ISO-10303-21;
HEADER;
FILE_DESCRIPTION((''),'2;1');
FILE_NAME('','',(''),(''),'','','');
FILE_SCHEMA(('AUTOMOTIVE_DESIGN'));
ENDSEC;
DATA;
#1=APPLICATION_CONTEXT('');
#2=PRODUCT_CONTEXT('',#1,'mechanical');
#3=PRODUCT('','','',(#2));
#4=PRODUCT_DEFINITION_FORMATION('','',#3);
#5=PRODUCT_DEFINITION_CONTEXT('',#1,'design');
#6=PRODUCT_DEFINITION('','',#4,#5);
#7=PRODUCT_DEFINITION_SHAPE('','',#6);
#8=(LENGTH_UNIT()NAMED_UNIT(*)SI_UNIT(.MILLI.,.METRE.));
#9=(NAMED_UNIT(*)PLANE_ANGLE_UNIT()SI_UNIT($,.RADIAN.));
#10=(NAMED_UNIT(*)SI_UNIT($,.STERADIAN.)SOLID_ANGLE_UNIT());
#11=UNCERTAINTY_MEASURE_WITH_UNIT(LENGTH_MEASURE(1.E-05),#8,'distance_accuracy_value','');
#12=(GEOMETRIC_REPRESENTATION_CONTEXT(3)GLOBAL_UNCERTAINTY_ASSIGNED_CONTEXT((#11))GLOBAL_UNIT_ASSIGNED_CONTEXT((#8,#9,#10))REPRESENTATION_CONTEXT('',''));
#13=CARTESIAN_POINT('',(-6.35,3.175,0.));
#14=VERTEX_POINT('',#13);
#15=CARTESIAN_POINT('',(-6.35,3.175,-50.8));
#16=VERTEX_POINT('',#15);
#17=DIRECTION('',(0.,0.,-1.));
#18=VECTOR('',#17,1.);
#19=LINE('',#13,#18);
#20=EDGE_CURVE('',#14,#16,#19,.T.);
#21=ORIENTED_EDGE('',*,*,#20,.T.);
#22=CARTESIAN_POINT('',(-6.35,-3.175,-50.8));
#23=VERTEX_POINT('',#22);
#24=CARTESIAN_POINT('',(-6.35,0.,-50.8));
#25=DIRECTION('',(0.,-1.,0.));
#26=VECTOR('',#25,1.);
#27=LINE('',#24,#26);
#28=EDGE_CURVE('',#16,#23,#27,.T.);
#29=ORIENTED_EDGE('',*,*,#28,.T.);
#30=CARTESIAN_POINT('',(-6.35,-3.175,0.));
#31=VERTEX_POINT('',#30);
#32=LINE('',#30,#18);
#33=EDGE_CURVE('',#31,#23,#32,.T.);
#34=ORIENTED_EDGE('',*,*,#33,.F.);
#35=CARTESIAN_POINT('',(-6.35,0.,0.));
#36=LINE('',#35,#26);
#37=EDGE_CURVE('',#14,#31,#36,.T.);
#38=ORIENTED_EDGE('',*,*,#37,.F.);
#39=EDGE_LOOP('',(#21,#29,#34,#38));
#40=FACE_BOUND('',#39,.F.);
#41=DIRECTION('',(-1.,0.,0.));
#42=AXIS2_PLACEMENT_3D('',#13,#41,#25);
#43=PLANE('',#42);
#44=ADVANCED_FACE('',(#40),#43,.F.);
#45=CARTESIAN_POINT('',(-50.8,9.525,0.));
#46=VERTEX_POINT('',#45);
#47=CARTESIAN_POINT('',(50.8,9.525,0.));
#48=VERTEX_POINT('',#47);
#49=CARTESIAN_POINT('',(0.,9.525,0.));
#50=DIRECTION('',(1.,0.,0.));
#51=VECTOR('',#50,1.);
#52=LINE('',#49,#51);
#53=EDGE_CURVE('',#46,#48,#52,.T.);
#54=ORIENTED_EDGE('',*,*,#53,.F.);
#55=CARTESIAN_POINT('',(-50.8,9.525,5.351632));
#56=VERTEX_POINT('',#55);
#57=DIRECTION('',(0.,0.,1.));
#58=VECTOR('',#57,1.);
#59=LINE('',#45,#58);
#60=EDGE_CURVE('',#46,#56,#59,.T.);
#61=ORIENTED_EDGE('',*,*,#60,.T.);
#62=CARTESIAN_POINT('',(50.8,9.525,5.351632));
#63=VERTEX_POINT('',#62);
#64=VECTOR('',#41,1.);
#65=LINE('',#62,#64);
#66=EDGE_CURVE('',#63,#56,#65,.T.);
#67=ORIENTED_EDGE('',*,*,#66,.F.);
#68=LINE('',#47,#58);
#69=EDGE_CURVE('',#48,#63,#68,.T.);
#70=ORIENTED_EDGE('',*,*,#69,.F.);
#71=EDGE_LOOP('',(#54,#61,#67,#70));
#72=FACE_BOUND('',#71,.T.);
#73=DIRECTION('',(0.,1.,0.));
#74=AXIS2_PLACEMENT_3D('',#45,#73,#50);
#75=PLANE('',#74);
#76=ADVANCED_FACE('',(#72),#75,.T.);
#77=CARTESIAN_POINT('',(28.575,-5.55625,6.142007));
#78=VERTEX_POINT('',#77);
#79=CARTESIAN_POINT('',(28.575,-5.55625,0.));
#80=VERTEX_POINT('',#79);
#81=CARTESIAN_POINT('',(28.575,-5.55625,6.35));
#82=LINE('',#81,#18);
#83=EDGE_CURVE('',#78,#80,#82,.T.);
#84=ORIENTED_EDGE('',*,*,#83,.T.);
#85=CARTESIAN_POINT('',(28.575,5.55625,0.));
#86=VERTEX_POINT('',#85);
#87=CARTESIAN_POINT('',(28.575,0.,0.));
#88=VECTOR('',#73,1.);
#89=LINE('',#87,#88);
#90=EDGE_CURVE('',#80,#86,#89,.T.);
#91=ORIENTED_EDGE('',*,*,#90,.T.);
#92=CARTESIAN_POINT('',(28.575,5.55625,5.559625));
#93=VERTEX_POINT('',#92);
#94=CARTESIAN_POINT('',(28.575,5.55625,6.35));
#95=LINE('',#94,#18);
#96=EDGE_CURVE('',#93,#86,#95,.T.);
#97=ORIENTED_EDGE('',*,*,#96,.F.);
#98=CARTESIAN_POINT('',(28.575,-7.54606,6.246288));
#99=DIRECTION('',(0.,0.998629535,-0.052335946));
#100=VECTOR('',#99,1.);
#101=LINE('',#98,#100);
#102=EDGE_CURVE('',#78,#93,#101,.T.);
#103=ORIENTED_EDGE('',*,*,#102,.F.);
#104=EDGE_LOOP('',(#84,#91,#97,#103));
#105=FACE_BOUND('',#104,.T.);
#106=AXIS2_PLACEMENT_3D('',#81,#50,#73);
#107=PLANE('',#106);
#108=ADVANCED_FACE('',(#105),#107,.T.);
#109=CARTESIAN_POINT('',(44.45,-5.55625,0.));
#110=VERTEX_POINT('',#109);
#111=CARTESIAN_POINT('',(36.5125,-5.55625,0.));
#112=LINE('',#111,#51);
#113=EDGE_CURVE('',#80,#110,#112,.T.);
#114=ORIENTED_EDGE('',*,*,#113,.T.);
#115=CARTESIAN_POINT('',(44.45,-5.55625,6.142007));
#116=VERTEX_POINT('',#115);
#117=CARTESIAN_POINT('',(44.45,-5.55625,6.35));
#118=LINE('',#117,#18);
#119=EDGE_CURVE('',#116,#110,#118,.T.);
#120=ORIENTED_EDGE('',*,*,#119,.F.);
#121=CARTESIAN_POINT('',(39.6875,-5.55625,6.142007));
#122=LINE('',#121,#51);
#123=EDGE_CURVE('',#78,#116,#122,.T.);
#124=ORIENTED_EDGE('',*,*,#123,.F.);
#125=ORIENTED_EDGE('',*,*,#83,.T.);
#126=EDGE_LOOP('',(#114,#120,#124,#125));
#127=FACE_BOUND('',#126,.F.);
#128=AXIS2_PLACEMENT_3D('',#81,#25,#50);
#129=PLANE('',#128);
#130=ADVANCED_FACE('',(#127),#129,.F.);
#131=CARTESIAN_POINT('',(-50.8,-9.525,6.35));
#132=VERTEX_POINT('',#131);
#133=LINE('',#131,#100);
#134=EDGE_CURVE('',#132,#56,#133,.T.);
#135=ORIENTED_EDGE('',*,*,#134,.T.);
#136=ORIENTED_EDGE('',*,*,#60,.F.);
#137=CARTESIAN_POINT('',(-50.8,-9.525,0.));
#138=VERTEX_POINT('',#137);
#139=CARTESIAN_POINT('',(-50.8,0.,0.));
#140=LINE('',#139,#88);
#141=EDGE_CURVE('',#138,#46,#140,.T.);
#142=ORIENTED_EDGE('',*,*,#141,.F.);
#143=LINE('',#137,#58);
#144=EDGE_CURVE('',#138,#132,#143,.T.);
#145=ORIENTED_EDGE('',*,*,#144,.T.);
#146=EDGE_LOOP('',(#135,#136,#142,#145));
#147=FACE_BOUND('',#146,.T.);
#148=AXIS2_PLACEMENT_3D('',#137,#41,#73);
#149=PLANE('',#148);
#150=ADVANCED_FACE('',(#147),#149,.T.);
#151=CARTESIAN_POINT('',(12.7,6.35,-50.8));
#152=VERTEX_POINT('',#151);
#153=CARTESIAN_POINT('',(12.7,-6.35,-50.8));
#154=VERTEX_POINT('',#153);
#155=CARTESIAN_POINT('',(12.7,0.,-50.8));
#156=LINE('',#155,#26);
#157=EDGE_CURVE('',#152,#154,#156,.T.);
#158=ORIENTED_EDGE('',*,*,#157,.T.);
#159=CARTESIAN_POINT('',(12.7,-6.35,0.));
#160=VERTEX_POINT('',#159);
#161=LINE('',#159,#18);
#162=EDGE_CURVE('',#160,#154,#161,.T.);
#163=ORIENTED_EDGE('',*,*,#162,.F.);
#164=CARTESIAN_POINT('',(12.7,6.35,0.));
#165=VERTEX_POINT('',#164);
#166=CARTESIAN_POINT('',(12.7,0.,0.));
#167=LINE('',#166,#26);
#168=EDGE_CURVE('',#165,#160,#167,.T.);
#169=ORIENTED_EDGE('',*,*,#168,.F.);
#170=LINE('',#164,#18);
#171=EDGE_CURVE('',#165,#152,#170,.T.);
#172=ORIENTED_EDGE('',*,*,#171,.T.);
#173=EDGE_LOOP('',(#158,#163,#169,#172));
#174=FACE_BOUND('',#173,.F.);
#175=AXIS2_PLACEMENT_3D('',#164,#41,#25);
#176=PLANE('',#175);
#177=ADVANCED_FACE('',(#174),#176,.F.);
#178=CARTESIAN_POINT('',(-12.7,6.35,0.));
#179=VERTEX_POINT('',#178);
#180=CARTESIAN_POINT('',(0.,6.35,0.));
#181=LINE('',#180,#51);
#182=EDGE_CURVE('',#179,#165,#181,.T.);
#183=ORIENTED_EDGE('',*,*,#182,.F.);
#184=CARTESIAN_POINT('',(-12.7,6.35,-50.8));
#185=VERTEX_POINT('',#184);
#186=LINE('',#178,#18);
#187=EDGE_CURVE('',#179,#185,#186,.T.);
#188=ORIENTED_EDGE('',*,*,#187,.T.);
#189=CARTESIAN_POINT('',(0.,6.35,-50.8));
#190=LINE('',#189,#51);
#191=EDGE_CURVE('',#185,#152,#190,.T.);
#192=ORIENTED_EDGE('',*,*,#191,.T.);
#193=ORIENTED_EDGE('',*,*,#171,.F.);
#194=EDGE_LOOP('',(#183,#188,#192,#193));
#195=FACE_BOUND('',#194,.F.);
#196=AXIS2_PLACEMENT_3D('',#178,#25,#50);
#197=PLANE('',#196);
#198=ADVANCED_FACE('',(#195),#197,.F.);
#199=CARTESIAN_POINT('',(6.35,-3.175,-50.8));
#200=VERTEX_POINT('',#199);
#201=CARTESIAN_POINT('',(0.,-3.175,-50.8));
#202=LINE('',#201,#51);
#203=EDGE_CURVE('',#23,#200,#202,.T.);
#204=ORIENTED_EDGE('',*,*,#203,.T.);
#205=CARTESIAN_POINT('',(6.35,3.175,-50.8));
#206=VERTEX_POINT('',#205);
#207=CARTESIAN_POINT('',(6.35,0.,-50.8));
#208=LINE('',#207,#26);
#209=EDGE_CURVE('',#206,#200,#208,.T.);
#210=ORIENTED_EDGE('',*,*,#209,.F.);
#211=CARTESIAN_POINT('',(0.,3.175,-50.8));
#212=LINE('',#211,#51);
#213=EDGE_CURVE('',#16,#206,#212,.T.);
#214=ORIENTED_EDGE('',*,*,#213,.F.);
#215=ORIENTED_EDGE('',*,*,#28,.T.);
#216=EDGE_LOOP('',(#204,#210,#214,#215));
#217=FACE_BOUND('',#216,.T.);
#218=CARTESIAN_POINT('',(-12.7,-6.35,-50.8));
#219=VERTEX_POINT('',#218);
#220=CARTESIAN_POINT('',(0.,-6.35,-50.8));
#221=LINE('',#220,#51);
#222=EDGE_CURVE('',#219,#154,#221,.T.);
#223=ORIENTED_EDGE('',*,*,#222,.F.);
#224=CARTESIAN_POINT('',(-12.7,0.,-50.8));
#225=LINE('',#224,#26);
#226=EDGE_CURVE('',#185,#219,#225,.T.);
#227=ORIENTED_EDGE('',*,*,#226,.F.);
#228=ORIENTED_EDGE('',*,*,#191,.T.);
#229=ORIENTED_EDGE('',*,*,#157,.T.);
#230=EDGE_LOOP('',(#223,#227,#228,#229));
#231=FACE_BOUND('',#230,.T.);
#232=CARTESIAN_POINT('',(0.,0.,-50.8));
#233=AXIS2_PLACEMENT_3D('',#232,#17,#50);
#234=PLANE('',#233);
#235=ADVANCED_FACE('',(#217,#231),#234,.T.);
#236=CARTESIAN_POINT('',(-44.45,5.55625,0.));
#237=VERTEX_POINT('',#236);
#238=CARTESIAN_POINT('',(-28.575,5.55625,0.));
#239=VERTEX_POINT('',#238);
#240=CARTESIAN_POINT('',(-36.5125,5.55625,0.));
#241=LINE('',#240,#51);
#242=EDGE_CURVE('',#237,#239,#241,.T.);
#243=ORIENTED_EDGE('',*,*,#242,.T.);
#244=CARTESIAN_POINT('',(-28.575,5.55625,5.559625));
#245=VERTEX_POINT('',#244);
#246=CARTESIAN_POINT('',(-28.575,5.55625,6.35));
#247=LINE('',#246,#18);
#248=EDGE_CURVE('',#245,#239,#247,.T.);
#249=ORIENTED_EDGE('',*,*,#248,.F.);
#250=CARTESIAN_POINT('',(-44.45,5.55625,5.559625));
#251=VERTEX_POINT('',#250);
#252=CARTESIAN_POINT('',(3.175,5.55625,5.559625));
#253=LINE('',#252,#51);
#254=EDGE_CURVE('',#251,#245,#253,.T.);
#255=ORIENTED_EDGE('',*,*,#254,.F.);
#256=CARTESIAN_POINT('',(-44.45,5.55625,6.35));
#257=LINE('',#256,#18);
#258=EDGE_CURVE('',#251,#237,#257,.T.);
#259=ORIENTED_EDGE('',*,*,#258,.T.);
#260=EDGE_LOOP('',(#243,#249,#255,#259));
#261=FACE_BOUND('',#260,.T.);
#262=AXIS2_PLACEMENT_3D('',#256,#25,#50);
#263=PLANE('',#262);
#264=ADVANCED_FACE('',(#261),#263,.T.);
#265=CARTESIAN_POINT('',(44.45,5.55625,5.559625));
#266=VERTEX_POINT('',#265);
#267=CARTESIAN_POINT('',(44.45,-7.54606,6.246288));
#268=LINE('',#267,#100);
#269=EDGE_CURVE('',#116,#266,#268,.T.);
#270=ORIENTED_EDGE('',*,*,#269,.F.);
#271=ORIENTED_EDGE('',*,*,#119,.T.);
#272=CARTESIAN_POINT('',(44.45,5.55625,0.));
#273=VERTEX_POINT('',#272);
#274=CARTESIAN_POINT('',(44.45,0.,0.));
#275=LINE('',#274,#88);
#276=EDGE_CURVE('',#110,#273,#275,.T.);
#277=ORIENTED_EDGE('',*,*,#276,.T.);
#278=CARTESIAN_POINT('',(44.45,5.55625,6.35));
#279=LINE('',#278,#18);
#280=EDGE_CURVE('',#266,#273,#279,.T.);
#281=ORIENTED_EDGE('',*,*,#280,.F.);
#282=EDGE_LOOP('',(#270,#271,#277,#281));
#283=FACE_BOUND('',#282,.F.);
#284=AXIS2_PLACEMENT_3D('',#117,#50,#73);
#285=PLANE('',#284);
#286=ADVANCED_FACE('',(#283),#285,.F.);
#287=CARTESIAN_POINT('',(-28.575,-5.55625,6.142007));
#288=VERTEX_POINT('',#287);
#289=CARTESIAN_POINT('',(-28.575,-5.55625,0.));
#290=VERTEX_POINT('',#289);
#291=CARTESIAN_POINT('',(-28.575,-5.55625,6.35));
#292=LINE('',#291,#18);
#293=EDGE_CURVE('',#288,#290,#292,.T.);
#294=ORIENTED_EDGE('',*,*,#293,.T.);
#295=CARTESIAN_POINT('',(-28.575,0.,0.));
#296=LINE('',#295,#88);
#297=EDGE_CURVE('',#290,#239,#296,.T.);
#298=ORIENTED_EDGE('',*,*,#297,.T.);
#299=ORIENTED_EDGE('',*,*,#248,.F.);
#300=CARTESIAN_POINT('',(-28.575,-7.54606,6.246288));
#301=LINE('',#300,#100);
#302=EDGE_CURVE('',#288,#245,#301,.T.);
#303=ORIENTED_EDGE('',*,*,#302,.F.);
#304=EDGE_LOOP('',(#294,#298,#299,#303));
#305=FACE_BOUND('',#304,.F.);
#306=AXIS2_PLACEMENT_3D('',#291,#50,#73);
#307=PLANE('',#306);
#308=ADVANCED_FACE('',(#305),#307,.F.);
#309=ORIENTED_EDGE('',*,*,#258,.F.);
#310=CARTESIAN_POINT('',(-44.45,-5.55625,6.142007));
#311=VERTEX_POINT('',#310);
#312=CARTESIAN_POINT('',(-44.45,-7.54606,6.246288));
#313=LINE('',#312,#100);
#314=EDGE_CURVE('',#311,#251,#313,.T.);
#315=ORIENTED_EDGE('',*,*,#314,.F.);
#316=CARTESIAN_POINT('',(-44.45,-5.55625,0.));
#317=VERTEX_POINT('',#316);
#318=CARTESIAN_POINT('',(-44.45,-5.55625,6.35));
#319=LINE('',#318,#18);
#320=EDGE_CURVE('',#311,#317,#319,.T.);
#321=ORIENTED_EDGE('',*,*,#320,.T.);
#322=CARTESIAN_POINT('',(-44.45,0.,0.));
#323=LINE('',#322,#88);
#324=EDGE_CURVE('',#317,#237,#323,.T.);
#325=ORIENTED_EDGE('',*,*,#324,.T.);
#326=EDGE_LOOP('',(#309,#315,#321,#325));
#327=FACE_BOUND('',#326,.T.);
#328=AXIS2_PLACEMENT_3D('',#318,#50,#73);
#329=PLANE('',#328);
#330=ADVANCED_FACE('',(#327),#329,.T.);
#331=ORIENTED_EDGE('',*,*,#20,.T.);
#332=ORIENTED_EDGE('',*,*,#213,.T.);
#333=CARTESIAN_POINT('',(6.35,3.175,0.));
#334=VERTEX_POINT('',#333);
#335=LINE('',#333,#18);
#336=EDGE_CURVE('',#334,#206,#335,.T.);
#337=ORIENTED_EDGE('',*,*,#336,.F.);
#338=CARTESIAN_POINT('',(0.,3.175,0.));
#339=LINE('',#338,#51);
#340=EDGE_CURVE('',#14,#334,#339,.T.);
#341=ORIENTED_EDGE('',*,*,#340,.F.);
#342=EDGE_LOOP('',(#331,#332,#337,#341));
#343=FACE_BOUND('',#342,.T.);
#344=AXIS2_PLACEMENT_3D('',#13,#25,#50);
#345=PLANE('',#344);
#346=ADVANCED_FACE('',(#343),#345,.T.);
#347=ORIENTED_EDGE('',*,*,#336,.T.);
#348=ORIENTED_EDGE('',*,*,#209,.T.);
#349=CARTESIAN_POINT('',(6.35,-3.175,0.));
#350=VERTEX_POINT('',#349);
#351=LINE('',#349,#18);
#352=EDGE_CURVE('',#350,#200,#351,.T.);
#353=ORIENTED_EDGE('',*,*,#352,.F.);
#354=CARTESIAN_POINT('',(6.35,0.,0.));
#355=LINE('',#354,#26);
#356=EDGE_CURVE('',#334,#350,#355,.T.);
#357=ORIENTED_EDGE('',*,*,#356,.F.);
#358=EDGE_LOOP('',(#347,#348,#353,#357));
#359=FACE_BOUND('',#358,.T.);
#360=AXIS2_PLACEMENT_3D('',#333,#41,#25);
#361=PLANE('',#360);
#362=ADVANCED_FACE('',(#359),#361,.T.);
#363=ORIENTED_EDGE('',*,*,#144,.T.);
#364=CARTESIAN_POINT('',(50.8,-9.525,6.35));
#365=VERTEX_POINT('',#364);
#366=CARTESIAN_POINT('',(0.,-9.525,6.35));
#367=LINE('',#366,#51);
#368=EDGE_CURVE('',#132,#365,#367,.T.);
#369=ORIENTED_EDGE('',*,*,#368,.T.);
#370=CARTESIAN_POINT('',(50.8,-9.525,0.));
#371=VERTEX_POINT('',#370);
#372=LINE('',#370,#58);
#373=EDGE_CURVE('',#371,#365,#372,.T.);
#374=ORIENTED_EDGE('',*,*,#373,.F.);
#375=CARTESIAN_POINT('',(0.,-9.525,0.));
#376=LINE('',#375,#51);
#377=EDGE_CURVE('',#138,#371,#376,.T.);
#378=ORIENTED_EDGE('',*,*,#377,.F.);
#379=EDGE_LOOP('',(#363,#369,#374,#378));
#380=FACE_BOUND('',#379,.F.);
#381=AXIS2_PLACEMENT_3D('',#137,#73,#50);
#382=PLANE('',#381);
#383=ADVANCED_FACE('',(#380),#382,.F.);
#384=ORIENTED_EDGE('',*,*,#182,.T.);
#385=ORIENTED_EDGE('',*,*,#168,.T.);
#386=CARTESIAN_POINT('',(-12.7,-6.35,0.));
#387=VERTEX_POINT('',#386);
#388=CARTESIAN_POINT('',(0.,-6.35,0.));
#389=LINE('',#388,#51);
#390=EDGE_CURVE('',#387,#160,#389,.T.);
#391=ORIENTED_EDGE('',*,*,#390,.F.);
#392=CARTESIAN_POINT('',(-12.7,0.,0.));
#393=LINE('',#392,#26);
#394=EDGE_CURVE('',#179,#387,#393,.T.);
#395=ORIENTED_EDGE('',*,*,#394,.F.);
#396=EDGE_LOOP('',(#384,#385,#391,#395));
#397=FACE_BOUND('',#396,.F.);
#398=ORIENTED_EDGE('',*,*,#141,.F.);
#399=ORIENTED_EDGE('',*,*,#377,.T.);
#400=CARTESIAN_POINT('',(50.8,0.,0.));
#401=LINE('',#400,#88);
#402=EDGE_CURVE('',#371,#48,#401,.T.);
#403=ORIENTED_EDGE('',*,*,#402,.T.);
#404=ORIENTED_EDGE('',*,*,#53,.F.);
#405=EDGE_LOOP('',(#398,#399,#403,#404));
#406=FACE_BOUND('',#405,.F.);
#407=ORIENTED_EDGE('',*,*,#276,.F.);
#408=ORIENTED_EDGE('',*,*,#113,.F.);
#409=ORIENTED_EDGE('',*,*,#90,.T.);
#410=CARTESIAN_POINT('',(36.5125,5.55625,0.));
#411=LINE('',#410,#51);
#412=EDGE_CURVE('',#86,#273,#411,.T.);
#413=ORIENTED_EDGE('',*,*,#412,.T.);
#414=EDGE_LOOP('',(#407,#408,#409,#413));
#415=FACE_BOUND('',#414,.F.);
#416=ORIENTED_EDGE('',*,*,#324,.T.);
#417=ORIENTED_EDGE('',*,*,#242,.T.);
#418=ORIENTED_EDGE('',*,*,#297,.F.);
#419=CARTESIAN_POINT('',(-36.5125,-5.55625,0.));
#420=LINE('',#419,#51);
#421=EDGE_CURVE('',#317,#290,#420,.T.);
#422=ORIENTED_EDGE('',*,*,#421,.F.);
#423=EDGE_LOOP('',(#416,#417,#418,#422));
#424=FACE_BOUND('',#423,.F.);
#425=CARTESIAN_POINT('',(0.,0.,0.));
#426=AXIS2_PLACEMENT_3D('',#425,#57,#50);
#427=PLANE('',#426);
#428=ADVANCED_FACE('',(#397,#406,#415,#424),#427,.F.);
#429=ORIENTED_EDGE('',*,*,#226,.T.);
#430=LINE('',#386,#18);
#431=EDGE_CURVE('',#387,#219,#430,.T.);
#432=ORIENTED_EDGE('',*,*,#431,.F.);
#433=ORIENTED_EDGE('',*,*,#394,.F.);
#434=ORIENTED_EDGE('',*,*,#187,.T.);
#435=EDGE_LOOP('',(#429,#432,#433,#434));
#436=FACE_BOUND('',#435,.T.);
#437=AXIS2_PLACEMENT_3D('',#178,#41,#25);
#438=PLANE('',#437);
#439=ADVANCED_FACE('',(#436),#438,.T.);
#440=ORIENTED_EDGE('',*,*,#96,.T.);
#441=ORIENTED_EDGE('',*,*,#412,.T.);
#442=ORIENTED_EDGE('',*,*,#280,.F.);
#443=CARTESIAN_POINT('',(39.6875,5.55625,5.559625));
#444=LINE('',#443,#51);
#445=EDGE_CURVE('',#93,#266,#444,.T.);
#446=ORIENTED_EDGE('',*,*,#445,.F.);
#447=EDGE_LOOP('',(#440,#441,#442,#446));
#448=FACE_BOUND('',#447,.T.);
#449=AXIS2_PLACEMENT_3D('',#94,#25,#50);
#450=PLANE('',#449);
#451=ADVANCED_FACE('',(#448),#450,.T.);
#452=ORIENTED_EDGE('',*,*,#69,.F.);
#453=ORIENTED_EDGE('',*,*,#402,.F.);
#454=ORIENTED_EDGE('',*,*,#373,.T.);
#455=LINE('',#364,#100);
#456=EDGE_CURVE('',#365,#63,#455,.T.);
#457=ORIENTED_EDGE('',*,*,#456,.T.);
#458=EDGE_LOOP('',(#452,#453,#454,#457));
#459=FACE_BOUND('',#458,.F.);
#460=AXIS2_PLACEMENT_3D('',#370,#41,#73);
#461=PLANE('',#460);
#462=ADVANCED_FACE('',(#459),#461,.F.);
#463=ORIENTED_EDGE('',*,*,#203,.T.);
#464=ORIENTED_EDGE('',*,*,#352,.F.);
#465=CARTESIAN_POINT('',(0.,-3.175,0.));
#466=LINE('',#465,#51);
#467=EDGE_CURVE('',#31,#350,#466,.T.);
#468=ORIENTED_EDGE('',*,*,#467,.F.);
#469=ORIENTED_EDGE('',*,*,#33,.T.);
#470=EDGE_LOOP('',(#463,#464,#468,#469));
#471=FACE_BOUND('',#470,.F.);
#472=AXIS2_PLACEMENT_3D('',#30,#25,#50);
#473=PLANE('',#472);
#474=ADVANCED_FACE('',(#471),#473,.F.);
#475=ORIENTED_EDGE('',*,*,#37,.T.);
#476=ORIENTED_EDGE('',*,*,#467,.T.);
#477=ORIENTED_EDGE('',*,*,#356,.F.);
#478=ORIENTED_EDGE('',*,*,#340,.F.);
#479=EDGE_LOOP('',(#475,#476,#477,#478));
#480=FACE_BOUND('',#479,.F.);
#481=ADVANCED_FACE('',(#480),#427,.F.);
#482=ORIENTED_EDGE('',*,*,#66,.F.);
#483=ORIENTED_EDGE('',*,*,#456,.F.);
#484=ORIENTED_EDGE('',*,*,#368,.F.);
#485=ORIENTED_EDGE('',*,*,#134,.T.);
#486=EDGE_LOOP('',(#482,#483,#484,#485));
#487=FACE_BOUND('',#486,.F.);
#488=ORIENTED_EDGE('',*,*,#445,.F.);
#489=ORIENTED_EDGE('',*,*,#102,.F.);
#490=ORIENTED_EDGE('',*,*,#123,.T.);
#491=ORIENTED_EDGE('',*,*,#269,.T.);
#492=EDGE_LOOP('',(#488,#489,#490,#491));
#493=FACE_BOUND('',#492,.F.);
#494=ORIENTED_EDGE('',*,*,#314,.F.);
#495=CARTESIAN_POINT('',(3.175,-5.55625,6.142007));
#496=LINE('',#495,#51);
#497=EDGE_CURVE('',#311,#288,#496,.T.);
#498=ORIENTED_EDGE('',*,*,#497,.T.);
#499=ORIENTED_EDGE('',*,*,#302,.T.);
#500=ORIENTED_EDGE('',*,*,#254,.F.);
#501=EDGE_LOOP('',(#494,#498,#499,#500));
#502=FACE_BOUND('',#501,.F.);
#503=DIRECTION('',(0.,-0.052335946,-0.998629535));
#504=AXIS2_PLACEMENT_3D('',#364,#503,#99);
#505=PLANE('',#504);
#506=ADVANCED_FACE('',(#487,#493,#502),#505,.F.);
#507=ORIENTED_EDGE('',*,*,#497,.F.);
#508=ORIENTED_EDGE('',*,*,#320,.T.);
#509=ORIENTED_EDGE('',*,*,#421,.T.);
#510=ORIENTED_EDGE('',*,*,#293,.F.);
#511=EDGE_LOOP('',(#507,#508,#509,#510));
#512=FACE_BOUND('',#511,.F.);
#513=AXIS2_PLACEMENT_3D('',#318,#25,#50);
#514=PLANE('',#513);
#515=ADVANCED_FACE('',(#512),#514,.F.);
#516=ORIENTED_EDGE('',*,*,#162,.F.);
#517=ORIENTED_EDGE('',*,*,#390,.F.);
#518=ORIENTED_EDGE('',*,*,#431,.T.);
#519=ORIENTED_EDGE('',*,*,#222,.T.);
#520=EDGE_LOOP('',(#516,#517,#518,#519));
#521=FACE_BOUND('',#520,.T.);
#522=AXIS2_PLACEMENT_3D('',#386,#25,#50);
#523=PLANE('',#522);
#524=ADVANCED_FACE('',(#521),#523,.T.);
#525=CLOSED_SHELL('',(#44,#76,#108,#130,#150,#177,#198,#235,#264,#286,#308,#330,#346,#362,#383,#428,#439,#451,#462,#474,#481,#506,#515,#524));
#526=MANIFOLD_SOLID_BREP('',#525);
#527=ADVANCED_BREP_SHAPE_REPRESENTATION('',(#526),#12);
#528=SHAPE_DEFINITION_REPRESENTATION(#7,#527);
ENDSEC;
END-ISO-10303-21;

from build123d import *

# Parameters (mm, degrees)
F0_W     = 101.6
F0_H     = 19.05
F1_DEPTH = 6.35
F2_W     = 15.875
F2_H     = 11.1125
F3_DEPTH = 6.35
F4_W     = 15.875
F4_H     = 11.1125
F5_DEPTH = 6.35
F7_DEPTH = 101.6
F8_W     = 25.4
F8_H     = 12.7
F8_W_2   = 12.7
F8_H_2   = 6.35
F9_DEPTH = 50.8


with BuildPart() as f1:
    # F0 (on Top) → F1 (new body)
    with BuildSketch(Plane.XY):
        Rectangle(F0_W, F0_H)
    extrude(amount=F1_DEPTH)

    # F2 (on face) → F3 (cut)
    with BuildSketch(Plane.XY.offset(6.35)):
        with Locations((-36.5125, 0)):
            Rectangle(F2_W, F2_H)
    extrude(amount=-F3_DEPTH, mode=Mode.SUBTRACT)

    # F4 (on face) → F5 (cut)
    with BuildSketch(Plane.XY.offset(6.35)):
        with Locations((36.5125, 0)):
            Rectangle(F4_W, F4_H)
    extrude(amount=-F5_DEPTH, mode=Mode.SUBTRACT)

    # F6 (on face) → F7 (cut)
    with BuildSketch(Plane.YZ.offset(50.8)):
        Polygon((9.525, 6.35), (-9.525, 6.35), (9.525, 5.351632), align=None)
    extrude(amount=-F7_DEPTH, mode=Mode.SUBTRACT)

    # F8 (on face) → F9 (join)
    with BuildSketch(Plane(origin=(0, 0, 0), x_dir=(1, 0, 0), z_dir=(0, 0, -1))):
        Rectangle(F8_W, F8_H)
        Rectangle(F8_W_2, F8_H_2, mode=Mode.SUBTRACT)
    extrude(amount=F9_DEPTH)


solid = f1.part
